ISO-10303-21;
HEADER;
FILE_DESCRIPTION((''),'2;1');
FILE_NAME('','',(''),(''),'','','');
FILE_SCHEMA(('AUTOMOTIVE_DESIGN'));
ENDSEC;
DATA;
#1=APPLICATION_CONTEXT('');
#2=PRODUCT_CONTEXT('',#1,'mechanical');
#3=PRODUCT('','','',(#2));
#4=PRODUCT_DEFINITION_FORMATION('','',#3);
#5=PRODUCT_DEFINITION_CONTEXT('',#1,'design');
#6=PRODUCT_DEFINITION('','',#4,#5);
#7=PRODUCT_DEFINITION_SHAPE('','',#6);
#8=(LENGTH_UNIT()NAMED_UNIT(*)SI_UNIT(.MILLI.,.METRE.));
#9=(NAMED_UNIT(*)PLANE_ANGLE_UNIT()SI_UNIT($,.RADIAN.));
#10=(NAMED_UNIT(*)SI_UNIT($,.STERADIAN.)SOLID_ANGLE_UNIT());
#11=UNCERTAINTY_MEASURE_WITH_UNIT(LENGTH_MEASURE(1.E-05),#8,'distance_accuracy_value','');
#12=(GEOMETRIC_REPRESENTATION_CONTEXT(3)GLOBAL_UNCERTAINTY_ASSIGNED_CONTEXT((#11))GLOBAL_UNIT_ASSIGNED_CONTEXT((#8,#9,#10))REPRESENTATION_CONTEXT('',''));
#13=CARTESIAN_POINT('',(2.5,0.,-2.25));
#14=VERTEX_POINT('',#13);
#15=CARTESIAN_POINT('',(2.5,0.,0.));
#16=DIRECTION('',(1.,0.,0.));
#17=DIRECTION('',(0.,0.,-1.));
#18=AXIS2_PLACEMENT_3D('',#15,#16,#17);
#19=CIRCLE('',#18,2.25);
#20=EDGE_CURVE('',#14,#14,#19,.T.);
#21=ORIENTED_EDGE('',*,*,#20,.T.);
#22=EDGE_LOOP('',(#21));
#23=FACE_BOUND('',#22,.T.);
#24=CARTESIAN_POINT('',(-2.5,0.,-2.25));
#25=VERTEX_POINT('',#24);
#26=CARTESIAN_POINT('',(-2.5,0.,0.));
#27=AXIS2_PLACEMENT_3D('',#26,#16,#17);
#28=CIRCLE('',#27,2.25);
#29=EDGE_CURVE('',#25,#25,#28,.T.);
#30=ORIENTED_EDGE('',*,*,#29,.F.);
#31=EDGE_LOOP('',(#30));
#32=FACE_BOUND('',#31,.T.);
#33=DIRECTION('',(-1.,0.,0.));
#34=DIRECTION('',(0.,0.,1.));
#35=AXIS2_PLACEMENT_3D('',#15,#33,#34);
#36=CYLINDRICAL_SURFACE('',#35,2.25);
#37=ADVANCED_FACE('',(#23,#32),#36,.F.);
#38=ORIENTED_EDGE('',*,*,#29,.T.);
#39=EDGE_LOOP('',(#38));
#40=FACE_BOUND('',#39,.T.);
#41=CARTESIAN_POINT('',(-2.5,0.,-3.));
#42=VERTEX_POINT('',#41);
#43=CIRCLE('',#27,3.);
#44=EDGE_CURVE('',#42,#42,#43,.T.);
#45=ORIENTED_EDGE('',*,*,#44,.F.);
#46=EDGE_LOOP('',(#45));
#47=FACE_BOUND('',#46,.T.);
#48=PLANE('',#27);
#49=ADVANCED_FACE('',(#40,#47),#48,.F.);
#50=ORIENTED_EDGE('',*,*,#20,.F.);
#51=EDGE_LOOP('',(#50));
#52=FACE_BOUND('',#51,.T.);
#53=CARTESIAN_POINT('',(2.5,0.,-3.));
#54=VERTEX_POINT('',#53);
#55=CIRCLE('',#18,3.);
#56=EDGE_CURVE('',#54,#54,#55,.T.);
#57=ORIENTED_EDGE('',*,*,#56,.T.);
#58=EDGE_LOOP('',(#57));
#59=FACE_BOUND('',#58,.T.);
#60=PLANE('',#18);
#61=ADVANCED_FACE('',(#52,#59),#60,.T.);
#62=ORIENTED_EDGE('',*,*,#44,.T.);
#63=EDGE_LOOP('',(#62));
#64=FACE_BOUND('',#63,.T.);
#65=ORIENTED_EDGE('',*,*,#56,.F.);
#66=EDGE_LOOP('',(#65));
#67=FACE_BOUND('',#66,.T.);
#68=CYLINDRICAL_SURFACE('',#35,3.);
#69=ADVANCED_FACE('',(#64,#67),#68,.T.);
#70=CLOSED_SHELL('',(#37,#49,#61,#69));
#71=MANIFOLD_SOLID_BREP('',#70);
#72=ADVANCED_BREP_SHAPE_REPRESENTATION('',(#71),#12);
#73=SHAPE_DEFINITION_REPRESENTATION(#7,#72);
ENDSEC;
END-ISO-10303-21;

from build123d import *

# Parameters (mm, degrees)
SKETCH1_R           = 3
SKETCH1_R_2         = 2.25
BOSS_EXTRUDE1_DEPTH = 2.5


with BuildPart() as part:
    # Sketch1 → Boss-Extrude1 (new, symmetric)
    with BuildSketch(Plane(origin=(0, 0, 0), x_dir=(0, 0, -1), z_dir=(1, 0, 0))):
        Circle(SKETCH1_R)
        Circle(SKETCH1_R_2, mode=Mode.SUBTRACT)
    extrude(amount=BOSS_EXTRUDE1_DEPTH, both=True)


solid = part.part
